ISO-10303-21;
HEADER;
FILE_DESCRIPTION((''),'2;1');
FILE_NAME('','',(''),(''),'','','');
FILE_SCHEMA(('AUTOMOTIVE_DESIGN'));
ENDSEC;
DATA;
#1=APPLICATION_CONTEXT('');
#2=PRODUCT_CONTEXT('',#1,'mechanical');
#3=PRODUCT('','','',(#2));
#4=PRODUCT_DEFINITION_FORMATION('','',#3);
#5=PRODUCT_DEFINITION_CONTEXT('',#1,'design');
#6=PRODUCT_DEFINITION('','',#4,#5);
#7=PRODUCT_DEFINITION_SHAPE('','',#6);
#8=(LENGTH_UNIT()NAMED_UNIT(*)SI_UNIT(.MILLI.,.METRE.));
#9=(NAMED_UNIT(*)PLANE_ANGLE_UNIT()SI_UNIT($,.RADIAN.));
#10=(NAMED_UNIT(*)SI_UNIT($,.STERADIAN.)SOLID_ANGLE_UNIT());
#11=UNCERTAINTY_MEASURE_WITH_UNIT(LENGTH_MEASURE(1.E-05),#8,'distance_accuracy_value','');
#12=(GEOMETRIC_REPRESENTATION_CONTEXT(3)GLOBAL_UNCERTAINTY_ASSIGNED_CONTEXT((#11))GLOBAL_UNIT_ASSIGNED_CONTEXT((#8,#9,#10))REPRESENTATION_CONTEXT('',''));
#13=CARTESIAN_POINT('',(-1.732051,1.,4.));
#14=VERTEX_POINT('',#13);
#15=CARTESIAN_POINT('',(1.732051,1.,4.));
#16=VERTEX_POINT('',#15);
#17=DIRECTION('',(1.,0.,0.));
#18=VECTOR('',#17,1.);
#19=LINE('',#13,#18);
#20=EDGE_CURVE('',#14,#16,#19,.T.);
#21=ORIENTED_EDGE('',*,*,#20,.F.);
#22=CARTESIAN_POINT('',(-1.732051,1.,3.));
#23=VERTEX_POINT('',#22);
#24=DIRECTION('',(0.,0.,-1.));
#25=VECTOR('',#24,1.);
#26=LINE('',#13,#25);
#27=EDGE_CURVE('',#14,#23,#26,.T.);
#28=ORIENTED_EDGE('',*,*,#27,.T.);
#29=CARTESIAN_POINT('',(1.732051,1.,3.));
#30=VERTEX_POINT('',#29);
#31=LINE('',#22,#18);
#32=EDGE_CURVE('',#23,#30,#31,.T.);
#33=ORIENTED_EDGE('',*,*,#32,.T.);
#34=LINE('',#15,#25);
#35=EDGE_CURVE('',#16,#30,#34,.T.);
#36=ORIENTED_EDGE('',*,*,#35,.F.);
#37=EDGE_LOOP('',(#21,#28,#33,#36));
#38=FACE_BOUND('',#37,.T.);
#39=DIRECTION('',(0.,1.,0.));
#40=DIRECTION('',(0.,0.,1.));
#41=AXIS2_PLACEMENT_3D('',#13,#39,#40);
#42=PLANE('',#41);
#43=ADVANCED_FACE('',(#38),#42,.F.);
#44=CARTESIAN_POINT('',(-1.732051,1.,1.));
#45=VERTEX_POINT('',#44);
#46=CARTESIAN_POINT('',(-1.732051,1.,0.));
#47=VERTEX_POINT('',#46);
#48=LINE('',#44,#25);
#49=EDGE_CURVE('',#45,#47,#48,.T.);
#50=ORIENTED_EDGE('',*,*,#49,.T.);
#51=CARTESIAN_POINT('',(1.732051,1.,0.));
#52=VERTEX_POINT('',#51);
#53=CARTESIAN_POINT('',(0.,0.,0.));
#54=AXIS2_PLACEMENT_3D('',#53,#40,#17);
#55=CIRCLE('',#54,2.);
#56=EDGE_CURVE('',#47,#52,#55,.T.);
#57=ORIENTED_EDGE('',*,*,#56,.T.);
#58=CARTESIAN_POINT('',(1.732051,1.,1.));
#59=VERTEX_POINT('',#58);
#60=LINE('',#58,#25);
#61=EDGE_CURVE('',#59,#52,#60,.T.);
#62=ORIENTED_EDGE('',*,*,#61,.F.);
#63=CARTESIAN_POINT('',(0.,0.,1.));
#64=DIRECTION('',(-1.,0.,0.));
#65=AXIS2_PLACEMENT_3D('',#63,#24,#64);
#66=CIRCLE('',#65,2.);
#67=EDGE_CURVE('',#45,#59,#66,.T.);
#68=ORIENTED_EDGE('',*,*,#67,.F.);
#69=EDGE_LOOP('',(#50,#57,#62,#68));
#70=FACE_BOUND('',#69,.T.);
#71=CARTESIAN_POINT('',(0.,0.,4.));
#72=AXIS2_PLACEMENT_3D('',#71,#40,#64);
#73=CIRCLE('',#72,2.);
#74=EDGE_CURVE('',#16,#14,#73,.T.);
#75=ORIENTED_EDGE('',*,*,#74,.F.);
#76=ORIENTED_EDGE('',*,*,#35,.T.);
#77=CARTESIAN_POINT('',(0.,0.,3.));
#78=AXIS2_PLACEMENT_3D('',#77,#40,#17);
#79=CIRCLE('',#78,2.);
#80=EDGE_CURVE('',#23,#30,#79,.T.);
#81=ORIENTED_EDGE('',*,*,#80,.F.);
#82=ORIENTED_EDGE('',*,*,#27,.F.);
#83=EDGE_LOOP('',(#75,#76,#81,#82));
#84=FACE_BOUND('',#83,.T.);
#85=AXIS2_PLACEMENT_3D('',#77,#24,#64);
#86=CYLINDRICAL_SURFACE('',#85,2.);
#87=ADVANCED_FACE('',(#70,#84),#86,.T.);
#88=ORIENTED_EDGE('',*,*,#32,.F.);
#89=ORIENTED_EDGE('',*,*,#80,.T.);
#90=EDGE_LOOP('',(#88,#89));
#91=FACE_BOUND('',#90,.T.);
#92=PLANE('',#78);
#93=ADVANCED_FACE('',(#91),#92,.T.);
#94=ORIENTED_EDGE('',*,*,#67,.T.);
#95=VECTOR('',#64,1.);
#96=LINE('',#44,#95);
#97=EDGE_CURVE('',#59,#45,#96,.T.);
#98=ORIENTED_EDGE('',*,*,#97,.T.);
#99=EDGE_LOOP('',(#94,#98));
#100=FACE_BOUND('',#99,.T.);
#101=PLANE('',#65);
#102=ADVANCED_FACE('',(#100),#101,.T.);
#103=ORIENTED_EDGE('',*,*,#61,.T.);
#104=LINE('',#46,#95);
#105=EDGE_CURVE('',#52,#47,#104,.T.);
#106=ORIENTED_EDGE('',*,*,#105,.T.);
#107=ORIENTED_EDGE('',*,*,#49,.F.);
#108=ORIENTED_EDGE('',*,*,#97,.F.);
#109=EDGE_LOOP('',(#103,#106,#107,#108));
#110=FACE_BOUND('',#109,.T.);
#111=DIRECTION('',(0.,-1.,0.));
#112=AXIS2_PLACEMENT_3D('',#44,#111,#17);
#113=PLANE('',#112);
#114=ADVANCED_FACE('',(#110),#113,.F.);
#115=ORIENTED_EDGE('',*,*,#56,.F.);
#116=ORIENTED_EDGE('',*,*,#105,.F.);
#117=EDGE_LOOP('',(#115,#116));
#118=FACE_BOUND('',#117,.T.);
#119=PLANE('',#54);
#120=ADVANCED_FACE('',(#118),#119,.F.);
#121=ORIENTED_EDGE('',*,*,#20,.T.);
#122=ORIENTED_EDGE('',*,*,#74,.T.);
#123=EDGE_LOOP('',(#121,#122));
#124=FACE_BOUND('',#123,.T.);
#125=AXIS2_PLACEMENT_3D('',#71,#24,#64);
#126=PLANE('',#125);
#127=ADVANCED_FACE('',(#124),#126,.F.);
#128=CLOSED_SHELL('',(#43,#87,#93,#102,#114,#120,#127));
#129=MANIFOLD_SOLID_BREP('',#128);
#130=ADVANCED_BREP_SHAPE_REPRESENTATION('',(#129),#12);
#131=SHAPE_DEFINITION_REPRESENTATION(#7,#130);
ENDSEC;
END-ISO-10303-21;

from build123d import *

# Parameters (mm, degrees)
SKETCH1_R           = 2
BOSS_EXTRUDE1_DEPTH = 3
BOSS_EXTRUDE2_DEPTH = 1
CUT_EXTRUDE1_DEPTH  = 1


with BuildPart() as part:
    # Sketch1 → Boss-Extrude1 (new body)
    with BuildSketch(Plane.XY):
        Circle(SKETCH1_R)
    extrude(amount=BOSS_EXTRUDE1_DEPTH)

    # Sketch2 → Boss-Extrude2 (add)
    with BuildSketch(Plane.XY.offset(3)):
        with BuildLine():
            Line((-1.732050808, 1), (1.732050808, 1))
            ThreePointArc((1.732050808, 1), (0, 2), (-1.732050808, 1))
        make_face()
    extrude(amount=BOSS_EXTRUDE2_DEPTH)

    # Sketch3 → Cut-Extrude1 (cut)
    with BuildSketch(Plane(origin=(0, 0, 0), x_dir=(-1, 0, 0), z_dir=(0, 0, -1))):
        with BuildLine():
            Line((1.732050808, 1), (-1.732050808, 1))
            ThreePointArc((-1.732050808, 1), (0, 2), (1.732050808, 1))
        make_face()
    extrude(amount=-CUT_EXTRUDE1_DEPTH, mode=Mode.SUBTRACT)


solid = part.part
